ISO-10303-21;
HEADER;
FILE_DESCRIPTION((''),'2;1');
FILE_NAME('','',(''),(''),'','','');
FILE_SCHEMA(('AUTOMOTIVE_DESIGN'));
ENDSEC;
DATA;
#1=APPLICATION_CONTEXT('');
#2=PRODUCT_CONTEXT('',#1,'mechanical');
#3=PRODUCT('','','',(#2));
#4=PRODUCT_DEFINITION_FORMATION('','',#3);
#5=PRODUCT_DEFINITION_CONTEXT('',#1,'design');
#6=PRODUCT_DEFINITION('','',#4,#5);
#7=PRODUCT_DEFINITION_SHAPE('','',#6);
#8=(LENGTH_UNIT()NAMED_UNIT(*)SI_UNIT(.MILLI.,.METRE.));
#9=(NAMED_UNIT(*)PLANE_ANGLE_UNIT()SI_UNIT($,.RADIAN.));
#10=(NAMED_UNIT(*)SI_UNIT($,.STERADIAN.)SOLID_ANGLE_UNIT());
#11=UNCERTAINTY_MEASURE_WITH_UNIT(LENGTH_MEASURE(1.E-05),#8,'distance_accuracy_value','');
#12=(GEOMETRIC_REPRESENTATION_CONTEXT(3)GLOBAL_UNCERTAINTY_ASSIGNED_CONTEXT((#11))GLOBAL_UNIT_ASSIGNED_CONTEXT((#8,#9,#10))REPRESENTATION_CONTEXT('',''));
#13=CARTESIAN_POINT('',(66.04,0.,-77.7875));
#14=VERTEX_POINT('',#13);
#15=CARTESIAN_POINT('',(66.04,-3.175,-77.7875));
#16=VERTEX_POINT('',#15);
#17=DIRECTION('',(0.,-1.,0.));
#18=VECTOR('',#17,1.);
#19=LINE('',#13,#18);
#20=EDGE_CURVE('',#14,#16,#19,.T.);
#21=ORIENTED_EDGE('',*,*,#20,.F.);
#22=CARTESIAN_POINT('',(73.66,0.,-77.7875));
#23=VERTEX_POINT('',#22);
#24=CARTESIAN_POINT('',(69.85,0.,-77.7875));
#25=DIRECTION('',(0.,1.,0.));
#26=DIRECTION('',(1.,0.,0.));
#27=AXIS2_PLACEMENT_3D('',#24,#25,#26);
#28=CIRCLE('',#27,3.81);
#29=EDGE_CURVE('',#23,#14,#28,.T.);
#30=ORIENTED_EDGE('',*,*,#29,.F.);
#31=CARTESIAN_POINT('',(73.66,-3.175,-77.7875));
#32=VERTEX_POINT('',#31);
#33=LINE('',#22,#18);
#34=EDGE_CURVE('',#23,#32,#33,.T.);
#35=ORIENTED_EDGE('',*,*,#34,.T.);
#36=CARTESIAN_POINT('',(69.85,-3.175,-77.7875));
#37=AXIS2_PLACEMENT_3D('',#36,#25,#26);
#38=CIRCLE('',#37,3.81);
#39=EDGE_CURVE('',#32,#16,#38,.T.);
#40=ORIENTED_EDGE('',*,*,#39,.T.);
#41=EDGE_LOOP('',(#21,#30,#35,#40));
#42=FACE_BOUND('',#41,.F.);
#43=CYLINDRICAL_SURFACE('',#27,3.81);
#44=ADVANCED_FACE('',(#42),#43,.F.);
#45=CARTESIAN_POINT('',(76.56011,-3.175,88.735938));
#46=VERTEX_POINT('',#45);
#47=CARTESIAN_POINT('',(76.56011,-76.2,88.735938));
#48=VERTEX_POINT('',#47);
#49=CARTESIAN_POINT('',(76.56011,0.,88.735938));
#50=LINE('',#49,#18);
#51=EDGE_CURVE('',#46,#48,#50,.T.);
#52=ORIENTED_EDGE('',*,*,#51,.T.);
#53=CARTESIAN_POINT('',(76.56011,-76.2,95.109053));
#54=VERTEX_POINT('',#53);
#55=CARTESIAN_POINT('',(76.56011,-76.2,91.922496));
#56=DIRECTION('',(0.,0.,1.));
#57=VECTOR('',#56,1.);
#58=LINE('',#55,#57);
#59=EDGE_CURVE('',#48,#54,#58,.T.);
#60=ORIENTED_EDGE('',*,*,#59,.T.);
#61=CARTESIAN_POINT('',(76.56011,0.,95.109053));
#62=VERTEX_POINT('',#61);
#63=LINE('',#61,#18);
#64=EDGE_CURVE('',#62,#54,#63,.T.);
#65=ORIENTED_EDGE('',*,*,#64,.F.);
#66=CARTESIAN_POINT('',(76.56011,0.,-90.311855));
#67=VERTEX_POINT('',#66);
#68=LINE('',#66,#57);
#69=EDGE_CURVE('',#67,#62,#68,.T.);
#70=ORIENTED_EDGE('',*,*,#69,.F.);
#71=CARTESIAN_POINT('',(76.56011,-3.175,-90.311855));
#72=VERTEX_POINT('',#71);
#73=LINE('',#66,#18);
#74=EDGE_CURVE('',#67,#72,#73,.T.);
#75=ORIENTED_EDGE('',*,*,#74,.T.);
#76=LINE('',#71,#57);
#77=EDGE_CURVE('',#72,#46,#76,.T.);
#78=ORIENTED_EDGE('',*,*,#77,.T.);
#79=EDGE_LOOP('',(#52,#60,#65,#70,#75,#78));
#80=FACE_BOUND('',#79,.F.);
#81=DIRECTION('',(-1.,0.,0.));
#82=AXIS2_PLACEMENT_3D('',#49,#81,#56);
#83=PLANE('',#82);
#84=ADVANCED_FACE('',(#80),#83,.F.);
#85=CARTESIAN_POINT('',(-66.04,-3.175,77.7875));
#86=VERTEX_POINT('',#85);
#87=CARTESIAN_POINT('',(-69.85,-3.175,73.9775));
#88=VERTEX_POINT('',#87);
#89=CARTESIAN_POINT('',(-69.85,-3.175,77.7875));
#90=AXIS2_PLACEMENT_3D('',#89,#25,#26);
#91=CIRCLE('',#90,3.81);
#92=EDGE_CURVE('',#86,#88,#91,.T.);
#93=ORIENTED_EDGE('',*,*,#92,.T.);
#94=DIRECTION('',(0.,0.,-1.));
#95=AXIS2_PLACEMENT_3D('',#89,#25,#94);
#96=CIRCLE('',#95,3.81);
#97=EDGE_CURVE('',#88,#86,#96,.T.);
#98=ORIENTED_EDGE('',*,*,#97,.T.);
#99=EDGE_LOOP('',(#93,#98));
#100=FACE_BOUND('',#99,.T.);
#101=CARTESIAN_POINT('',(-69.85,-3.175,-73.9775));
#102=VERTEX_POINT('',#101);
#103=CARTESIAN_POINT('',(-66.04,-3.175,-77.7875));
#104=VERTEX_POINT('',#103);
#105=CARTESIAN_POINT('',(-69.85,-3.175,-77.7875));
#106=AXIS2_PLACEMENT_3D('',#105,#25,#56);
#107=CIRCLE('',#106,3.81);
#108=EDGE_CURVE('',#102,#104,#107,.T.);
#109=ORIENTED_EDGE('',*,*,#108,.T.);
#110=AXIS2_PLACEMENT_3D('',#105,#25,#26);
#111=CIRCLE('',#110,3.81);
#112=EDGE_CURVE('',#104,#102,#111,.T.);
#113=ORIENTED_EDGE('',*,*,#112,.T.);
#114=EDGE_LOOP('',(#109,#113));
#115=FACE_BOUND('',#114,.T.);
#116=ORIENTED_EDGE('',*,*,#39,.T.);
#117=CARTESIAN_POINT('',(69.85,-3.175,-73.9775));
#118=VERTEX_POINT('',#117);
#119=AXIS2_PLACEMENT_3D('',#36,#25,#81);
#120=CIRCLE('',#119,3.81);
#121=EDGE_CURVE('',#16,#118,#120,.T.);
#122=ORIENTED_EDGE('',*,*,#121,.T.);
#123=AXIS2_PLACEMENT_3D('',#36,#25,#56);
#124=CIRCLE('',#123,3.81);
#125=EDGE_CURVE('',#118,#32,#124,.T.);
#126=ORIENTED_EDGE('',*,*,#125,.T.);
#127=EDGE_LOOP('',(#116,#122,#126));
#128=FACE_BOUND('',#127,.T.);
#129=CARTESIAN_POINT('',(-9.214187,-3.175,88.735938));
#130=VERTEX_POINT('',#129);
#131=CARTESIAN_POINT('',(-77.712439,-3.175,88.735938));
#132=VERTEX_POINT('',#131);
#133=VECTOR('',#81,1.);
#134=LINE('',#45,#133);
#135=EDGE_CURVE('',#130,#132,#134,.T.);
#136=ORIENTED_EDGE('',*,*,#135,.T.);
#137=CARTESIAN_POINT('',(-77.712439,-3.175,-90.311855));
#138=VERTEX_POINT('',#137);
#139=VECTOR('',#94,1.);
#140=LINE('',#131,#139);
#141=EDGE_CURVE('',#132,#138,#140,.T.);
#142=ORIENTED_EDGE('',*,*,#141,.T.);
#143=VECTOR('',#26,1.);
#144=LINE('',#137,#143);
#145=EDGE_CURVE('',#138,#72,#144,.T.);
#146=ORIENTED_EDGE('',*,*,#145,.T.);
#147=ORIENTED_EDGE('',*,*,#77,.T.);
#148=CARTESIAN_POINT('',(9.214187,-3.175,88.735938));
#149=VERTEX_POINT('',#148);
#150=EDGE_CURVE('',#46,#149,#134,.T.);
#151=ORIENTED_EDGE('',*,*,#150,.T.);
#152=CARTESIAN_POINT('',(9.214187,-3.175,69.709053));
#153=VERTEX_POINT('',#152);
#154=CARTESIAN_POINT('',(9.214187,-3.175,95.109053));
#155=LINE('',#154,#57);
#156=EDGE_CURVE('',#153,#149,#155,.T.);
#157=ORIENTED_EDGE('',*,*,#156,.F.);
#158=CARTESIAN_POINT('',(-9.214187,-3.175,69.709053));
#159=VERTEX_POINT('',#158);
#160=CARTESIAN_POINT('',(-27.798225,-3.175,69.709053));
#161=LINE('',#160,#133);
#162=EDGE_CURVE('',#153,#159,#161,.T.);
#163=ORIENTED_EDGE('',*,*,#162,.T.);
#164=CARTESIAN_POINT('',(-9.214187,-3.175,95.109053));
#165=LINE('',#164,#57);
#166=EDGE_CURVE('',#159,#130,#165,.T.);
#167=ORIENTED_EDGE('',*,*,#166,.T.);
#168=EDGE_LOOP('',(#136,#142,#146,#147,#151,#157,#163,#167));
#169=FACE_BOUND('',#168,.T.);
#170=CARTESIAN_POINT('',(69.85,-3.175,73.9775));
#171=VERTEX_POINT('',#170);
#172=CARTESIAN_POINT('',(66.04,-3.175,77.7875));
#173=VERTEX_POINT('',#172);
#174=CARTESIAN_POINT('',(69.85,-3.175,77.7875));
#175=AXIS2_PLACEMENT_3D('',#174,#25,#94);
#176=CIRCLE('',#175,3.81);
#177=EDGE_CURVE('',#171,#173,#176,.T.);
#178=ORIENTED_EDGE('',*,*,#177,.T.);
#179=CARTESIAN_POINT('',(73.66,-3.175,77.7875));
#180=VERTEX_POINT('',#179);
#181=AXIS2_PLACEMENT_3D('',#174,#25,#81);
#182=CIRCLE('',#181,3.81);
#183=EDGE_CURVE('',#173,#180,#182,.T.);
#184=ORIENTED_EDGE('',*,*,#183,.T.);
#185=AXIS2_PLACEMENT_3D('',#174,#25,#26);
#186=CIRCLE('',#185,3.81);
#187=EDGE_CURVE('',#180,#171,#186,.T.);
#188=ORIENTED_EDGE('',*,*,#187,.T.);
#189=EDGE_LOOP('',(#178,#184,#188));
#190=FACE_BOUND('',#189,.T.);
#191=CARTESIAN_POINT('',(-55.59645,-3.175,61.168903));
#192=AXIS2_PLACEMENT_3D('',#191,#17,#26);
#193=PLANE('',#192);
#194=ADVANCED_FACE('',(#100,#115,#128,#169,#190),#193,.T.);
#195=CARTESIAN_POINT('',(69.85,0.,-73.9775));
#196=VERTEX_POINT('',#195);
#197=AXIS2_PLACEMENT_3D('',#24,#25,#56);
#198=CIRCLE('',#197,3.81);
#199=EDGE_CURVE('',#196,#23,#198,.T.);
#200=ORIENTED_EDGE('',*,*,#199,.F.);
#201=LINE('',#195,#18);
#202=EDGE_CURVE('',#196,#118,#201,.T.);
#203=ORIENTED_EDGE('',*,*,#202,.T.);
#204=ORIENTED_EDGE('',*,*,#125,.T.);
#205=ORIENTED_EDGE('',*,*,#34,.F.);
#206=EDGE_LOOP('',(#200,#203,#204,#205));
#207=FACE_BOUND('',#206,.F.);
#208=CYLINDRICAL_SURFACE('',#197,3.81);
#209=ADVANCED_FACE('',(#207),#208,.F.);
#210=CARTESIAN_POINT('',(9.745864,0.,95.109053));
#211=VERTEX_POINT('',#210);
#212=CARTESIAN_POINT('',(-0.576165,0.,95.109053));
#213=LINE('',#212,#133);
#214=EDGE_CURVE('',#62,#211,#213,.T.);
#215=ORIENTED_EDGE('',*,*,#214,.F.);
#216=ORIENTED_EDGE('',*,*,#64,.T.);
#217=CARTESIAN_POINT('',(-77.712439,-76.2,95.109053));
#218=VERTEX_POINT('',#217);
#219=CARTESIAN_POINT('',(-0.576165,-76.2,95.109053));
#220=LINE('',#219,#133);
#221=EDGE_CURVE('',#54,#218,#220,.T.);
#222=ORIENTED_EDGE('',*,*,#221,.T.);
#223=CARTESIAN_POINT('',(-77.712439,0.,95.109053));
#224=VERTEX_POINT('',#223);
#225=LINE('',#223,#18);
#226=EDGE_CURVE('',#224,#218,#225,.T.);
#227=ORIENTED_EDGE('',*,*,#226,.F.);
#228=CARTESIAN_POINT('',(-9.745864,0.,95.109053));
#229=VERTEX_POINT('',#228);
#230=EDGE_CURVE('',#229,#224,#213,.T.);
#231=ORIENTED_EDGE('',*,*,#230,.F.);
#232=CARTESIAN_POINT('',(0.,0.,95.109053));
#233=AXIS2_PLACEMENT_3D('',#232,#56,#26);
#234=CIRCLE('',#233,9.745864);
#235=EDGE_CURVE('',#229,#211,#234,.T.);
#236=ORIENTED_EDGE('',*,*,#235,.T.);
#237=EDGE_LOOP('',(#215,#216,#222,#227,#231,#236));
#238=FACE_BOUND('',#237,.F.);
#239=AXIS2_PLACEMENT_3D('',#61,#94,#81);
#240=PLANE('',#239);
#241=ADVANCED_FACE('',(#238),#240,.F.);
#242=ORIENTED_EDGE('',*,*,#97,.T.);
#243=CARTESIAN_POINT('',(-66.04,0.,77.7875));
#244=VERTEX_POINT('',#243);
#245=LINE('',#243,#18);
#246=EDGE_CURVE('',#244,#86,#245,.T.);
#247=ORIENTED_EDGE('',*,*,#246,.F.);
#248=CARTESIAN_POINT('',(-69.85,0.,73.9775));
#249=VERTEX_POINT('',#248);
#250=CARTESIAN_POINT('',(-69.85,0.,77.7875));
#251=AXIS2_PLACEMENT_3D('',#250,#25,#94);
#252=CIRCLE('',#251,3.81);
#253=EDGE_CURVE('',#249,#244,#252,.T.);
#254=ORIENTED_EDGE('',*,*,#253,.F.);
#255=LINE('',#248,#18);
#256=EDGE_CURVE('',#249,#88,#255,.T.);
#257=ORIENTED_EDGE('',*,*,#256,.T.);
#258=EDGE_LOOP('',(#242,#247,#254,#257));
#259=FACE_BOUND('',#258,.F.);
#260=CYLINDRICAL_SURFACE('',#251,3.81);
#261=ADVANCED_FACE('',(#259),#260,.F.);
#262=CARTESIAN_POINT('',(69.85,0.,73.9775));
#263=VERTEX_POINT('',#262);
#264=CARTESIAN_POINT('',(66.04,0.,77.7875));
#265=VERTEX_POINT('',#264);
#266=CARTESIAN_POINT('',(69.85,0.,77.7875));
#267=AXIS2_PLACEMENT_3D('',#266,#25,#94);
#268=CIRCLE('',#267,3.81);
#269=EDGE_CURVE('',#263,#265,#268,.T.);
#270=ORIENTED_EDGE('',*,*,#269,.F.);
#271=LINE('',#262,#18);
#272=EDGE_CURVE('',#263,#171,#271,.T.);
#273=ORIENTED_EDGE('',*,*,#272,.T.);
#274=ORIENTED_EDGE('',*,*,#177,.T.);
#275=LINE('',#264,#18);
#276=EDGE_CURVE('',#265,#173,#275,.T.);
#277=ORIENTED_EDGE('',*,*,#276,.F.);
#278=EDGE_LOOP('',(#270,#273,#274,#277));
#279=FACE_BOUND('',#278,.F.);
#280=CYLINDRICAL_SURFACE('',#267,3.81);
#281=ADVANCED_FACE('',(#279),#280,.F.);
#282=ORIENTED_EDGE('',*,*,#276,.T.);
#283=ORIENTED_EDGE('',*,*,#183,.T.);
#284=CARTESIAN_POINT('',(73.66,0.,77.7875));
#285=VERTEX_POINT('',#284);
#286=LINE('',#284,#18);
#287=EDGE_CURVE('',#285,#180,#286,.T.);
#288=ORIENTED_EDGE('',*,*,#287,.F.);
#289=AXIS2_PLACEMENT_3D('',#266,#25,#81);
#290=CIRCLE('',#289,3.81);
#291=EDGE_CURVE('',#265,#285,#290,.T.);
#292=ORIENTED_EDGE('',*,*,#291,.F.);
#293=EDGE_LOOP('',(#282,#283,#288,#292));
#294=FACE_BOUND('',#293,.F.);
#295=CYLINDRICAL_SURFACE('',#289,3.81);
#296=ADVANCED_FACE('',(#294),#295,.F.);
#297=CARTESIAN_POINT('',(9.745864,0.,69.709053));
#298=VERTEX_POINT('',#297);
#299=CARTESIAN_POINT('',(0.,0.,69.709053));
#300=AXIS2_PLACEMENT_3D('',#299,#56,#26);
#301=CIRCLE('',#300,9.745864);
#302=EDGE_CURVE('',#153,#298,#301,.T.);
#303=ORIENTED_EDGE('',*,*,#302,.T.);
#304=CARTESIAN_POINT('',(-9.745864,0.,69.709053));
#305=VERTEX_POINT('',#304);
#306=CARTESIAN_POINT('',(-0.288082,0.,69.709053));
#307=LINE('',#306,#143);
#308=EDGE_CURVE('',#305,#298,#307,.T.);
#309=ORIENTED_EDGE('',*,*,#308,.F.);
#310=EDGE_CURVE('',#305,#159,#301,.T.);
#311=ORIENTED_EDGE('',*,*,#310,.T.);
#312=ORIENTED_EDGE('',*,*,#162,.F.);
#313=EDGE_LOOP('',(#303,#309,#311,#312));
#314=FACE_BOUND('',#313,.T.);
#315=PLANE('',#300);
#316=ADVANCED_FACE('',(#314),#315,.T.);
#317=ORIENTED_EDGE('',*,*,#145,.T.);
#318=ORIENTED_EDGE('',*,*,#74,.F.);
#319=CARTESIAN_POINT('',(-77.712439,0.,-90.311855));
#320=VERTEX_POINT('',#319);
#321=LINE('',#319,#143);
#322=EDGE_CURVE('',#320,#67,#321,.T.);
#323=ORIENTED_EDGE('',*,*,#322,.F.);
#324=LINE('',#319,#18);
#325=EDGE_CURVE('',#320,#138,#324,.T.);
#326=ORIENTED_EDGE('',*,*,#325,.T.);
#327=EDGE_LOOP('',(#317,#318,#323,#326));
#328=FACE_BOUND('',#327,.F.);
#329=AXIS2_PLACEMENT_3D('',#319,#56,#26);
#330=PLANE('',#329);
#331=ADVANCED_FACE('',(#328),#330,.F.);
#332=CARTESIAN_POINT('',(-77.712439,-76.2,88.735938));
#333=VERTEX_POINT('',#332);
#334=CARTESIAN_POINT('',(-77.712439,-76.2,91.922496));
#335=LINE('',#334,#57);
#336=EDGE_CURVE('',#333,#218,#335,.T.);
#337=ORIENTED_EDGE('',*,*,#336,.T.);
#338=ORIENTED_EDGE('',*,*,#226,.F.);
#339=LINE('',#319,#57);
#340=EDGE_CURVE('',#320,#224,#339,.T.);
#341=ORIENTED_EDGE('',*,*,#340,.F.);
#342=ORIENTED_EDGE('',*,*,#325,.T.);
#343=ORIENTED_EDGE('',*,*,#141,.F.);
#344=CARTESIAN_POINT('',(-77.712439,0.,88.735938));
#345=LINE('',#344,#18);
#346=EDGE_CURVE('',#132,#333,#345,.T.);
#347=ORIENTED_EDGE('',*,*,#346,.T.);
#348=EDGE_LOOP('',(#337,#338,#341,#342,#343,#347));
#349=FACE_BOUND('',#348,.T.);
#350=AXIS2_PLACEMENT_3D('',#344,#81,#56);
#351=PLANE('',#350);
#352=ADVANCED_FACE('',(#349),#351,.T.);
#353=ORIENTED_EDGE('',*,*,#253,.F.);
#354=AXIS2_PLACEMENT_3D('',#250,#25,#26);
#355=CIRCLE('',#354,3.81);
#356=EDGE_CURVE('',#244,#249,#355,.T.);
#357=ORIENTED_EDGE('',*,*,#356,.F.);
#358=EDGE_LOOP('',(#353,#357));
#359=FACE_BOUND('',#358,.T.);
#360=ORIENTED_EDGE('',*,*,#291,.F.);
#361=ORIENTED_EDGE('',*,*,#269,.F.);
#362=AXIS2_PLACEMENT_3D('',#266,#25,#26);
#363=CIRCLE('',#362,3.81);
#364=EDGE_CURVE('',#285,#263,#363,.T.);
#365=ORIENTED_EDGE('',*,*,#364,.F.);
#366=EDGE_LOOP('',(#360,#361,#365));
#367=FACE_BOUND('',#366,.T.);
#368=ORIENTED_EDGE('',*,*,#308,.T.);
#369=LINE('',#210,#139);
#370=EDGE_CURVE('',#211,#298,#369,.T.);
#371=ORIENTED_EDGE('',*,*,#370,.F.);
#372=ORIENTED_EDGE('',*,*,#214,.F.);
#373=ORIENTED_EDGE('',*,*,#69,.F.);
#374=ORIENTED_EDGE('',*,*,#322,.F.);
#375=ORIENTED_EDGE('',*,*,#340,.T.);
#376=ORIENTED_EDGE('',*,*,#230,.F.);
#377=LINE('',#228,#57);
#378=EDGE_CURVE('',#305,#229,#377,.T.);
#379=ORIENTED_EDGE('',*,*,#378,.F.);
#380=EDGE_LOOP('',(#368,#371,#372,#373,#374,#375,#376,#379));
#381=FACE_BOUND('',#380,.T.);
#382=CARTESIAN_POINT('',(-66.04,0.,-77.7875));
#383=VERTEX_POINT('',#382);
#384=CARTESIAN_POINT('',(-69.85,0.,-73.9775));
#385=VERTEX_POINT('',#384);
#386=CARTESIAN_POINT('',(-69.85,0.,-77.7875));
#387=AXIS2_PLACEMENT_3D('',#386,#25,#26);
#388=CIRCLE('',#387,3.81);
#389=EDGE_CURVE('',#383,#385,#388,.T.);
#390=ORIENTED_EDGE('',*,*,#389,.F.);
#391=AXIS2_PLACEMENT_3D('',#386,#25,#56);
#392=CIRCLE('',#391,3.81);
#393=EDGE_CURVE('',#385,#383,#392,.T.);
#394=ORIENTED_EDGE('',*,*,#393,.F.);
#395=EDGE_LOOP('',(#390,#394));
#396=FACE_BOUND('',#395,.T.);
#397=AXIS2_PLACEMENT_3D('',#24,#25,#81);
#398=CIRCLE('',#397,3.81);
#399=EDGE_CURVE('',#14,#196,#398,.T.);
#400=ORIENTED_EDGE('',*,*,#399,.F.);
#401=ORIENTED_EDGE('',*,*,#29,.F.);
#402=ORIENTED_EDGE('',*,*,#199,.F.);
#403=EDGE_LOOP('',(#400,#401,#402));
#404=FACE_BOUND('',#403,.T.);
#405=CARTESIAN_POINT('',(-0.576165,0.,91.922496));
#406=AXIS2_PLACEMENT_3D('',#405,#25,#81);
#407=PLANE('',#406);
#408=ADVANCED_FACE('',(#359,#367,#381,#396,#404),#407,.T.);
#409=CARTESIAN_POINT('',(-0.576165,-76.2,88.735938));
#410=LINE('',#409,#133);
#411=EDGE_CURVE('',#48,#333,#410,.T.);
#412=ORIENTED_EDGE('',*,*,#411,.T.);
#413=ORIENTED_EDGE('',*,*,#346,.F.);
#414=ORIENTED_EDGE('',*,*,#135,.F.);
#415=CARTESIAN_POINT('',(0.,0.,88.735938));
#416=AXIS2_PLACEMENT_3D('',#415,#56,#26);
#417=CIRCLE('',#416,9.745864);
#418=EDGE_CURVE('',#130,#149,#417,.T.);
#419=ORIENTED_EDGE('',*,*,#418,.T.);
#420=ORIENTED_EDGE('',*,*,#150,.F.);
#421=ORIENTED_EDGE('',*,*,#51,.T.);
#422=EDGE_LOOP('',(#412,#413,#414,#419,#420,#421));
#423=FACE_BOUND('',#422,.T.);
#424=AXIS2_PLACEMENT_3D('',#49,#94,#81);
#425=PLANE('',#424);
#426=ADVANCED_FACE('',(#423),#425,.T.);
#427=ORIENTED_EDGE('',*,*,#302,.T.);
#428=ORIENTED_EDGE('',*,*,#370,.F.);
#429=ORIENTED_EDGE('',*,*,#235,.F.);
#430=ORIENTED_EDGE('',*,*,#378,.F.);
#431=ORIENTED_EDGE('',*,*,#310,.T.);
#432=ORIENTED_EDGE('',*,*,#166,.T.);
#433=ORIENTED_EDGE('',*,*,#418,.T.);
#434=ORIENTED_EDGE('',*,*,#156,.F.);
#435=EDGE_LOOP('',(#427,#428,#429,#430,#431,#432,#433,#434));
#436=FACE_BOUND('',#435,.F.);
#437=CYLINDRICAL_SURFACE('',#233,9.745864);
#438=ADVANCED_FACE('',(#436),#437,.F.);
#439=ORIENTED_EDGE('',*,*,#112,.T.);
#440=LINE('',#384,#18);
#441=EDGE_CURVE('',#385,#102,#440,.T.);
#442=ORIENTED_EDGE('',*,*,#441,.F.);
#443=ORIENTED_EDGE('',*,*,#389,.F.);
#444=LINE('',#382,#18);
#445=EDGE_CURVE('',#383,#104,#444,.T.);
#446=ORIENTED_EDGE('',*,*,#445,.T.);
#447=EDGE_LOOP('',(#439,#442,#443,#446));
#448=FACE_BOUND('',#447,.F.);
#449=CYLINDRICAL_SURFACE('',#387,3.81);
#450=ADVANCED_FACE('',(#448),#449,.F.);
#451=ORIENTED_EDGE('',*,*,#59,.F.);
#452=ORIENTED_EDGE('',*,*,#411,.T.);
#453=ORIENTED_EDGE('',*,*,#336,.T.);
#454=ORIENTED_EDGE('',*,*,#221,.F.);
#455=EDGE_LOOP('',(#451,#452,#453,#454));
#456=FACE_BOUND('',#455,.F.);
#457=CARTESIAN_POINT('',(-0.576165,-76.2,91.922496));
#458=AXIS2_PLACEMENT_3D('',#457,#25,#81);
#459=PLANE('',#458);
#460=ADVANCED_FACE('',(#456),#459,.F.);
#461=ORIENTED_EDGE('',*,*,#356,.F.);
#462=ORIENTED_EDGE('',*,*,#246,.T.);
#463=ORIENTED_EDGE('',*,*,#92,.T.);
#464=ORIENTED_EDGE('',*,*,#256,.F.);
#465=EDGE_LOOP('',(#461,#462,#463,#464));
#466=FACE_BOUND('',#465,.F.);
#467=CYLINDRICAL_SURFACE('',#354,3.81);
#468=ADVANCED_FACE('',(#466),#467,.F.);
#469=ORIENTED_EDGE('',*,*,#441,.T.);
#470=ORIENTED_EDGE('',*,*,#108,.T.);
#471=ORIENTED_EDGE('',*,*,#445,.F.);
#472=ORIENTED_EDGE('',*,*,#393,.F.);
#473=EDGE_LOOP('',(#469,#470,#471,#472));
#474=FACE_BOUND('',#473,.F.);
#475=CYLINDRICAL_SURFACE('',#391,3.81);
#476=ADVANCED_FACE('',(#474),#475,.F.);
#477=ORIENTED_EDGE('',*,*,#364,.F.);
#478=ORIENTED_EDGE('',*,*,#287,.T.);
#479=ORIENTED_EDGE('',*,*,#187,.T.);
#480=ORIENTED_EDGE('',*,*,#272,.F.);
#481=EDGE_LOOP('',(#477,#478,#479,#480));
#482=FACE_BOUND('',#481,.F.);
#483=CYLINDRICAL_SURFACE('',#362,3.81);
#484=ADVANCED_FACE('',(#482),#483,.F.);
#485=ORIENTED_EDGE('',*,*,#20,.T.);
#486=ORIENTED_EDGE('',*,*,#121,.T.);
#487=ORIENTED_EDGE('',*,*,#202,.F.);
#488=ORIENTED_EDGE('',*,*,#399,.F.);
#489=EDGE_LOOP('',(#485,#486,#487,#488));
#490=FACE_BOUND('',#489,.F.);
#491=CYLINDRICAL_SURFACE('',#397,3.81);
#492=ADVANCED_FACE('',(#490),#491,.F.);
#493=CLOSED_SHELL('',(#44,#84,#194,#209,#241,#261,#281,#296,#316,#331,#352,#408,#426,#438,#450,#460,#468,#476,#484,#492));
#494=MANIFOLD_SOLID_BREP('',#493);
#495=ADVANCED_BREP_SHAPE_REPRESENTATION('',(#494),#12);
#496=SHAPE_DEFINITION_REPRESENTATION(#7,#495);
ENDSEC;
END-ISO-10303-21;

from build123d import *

# Parameters (mm, degrees)
F1_DEPTH = 3.175
F2_W     = 154.2725488544
F2_H     = 6.3731148839
F3_DEPTH = 76.2
F4_R     = 9.7458637612
F5_DEPTH = 25.4


with BuildPart() as f1:
    # F0 (on Front) → F1 (new body)
    with BuildSketch(Plane.XZ):
        with BuildLine():
            ThreePointArc((-69.85, 73.9775), (-72.5440768363, 80.4815768363), (-66.04, 77.7875))
            Line((-66.04, 77.7875), (0, 77.7875))
            Line((0, 77.7875), (0, 88.7359380722))
            Line((0, 88.7359380722), (-77.7124390006, 88.7359380722))
            Line((-77.7124390006, 88.7359380722), (-77.7124390006, 0))
            Line((-77.7124390006, 0), (-69.85, 0))
            Line((-69.85, 0), (-69.85, 73.9775))
        make_face()
        with BuildLine():
            Line((0, 88.7359380722), (0, 77.7875))
            Line((0, 77.7875), (66.04, 77.7875))
            ThreePointArc((66.04, 77.7875), (69.85, 81.5975), (73.66, 77.7875))
            ThreePointArc((73.66, 77.7875), (72.5440768363, 75.0934231637), (69.85, 73.9775))
            Line((69.85, 73.9775), (69.85, 0))
            Line((69.85, 0), (76.5601098537, 0))
            Line((76.5601098537, 0), (76.5601098537, 88.7359380722))
            Line((76.5601098537, 88.7359380722), (0, 88.7359380722))
        make_face()
        with BuildLine():
            Line((66.04, -77.7875), (0, -77.7875))
            Line((0, -77.7875), (0, -90.3118550777))
            Line((0, -90.3118550777), (76.5601098537, -90.3118550777))
            Line((76.5601098537, -90.3118550777), (76.5601098537, 0))
            Line((76.5601098537, 0), (69.85, 0))
            Line((69.85, 0), (69.85, -73.9775))
            ThreePointArc((69.85, -73.9775), (72.5440768363, -75.0934231637), (73.66, -77.7875))
            ThreePointArc((73.66, -77.7875), (69.85, -81.5975), (66.04, -77.7875))
        make_face()
        with BuildLine():
            Line((-69.85, -73.9775), (-69.85, 0))
            Line((-69.85, 0), (-77.7124390006, 0))
            Line((-77.7124390006, 0), (-77.7124390006, -90.3118550777))
            Line((-77.7124390006, -90.3118550777), (0, -90.3118550777))
            Line((0, -90.3118550777), (0, -77.7875))
            Line((0, -77.7875), (-66.04, -77.7875))
            ThreePointArc((-66.04, -77.7875), (-72.5440768363, -80.4815768363), (-69.85, -73.9775))
        make_face()
        with BuildLine():
            Line((0, 0), (-69.85, 0))
            Line((-69.85, 0), (-69.85, -73.9775))
            ThreePointArc((-69.85, -73.9775), (-67.1559231637, -75.0934231637), (-66.04, -77.7875))
            Line((-66.04, -77.7875), (0, -77.7875))
            Line((0, -77.7875), (0, 0))
        make_face()
        with BuildLine():
            Line((0, 77.7875), (-66.04, 77.7875))
            ThreePointArc((-66.04, 77.7875), (-67.1559231637, 75.0934231637), (-69.85, 73.9775))
            Line((-69.85, 73.9775), (-69.85, 0))
            Line((-69.85, 0), (0, 0))
            Line((0, 0), (0, 77.7875))
        make_face()
        with BuildLine():
            Line((66.04, 77.7875), (0, 77.7875))
            Line((0, 77.7875), (0, 0))
            Line((0, 0), (69.85, 0))
            Line((69.85, 0), (69.85, 73.9775))
            ThreePointArc((69.85, 73.9775), (67.1559231637, 75.0934231637), (66.04, 77.7875))
        make_face()
        with BuildLine():
            Line((69.85, 0), (0, 0))
            Line((0, 0), (0, -77.7875))
            Line((0, -77.7875), (66.04, -77.7875))
            ThreePointArc((66.04, -77.7875), (67.1559231637, -75.0934231637), (69.85, -73.9775))
            Line((69.85, -73.9775), (69.85, 0))
        make_face()
    extrude(amount=F1_DEPTH)

    # F2 (on face) → F3 (join)
    with BuildSketch(Plane(origin=(0, 0, 0), x_dir=(-1, 0, 0), z_dir=(0, 1, 0))):
        with Locations((0.5761645734, 91.9224955142)):
            Rectangle(F2_W, F2_H)
    extrude(amount=-F3_DEPTH)

    # F4 (on face) → F5 (cut)
    with BuildSketch(Plane.XY.offset(95.1090529561)):
        Circle(F4_R)
    extrude(amount=-F5_DEPTH, mode=Mode.SUBTRACT)


solid = f1.part
